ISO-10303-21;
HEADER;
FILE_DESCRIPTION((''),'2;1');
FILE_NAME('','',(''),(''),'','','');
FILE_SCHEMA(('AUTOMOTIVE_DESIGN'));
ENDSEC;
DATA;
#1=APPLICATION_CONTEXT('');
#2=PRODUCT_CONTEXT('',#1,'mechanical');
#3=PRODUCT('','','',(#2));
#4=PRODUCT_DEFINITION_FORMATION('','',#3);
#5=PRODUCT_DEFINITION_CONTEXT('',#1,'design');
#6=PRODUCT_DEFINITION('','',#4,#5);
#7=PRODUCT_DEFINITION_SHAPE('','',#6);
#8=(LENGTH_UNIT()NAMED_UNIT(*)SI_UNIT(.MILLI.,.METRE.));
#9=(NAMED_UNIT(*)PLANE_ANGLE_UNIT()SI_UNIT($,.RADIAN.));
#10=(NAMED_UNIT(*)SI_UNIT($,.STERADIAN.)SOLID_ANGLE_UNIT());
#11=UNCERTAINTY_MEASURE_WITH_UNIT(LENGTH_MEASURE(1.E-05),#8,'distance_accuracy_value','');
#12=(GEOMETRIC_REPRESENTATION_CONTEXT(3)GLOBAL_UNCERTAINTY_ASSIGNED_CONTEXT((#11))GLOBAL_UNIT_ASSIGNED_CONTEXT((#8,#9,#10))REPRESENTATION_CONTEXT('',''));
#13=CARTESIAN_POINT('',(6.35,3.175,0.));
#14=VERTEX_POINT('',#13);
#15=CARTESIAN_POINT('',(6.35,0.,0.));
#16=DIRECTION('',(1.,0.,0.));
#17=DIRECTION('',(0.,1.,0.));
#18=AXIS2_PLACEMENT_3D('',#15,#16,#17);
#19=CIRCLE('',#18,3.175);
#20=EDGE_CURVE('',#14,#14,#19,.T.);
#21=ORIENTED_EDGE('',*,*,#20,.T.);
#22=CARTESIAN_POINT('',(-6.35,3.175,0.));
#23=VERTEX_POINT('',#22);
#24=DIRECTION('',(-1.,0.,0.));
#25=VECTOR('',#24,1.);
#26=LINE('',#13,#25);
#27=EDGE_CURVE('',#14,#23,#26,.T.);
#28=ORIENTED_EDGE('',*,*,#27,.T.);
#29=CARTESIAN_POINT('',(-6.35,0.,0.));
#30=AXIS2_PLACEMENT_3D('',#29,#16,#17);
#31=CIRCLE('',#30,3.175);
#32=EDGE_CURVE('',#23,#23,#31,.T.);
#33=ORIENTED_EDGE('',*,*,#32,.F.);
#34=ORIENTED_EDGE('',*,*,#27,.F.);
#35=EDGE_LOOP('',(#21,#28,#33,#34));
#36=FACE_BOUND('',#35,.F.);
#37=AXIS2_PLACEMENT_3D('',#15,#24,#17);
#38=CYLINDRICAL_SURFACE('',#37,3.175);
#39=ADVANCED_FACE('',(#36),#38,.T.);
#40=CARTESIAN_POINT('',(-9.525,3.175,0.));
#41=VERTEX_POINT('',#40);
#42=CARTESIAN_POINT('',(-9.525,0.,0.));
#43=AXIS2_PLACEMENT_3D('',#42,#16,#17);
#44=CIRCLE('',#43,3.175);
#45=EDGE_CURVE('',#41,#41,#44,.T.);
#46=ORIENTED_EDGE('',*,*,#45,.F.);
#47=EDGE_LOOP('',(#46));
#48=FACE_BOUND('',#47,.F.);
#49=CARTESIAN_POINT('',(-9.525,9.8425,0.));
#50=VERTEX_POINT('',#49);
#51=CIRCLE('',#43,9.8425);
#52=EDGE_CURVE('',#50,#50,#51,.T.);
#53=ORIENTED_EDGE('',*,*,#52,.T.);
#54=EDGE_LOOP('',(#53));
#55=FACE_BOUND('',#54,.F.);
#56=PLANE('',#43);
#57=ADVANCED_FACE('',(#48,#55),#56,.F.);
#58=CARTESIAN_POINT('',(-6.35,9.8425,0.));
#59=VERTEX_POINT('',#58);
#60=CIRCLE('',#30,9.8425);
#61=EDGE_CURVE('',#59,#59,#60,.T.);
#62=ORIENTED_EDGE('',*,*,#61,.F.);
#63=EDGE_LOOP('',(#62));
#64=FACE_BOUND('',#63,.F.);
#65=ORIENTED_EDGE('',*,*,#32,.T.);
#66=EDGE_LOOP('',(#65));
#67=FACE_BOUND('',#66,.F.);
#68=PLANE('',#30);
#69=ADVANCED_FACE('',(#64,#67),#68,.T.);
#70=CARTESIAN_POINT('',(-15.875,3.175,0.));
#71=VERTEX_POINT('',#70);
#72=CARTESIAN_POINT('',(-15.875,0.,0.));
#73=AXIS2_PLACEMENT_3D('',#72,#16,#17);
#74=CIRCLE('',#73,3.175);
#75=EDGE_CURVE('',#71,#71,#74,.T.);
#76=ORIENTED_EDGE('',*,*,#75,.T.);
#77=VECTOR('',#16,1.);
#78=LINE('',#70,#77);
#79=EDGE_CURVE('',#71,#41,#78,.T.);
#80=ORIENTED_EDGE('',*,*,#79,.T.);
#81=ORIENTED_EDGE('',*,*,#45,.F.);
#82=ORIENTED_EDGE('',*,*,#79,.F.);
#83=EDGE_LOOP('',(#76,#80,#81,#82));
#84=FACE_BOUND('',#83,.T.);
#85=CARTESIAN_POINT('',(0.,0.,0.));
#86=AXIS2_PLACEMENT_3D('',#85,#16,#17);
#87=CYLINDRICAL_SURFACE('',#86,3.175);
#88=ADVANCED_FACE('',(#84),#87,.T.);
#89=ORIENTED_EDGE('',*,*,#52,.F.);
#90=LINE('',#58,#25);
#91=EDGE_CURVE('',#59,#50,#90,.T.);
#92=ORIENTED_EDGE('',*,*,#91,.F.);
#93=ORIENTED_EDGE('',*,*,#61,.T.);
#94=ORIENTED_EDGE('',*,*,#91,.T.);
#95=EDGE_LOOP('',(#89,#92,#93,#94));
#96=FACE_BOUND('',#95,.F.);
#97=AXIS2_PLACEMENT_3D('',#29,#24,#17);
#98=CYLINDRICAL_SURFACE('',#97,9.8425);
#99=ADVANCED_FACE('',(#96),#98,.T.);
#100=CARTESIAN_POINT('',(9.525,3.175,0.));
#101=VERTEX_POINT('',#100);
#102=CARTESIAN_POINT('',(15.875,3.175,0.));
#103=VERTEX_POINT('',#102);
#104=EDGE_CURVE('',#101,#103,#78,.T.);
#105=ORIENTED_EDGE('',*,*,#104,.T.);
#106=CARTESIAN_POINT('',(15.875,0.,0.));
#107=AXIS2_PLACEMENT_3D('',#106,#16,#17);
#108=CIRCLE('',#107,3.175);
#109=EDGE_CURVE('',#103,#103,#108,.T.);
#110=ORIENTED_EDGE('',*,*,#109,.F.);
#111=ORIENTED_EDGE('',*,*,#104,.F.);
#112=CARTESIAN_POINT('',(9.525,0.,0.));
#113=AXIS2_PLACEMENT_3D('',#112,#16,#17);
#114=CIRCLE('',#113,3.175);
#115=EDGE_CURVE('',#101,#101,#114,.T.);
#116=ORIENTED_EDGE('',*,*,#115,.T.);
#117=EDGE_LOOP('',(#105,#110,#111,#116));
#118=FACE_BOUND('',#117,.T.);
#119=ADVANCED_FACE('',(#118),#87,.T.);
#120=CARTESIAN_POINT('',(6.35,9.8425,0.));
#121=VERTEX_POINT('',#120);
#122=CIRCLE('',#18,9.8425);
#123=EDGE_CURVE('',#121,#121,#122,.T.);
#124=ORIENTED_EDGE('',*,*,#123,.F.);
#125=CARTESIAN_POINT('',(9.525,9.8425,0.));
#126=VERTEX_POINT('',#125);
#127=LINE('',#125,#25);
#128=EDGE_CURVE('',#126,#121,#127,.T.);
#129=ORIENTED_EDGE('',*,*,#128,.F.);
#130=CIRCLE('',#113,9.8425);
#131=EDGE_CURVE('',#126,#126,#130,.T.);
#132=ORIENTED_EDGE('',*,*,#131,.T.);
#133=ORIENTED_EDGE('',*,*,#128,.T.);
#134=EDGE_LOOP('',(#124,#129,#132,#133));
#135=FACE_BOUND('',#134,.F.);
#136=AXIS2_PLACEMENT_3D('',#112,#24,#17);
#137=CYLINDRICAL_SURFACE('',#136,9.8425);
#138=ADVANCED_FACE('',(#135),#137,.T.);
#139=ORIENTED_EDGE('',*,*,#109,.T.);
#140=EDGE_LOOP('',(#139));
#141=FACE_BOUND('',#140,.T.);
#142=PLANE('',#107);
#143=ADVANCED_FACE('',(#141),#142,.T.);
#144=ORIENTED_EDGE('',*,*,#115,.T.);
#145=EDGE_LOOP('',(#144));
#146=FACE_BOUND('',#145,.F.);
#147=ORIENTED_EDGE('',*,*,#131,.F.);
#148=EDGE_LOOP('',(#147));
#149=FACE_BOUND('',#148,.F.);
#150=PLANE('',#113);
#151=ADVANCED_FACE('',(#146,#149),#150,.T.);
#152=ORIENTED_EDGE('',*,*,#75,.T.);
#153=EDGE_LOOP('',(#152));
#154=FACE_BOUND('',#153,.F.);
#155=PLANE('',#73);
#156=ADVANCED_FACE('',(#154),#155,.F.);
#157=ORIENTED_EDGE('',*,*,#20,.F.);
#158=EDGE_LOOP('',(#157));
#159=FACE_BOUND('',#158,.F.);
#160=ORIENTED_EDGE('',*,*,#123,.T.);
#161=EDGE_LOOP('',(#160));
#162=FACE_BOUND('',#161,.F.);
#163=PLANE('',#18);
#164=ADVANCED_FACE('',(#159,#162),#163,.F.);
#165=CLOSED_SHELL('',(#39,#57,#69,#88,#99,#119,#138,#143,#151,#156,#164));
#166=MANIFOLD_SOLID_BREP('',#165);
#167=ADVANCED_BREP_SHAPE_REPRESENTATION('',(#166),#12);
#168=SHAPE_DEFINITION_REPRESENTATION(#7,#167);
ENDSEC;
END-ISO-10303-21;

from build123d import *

# Parameters (mm, degrees)
F1_R     = 3.175
F2_DEPTH = 15.875


with BuildPart() as f2:
    # F1 (on Right) → F2 (new body, symmetric)
    with BuildSketch(Plane.YZ):
        Circle(F1_R)
    extrude(amount=F2_DEPTH, both=True)

    # F0 (on Top) → F3 (revolve)
    with BuildSketch(Plane.XY):
        Polygon((-12.7, 0), (12.7, 0), (12.7, 1.5875), (9.525, 1.5875), (9.525, 9.8425), (6.35, 9.8425), (6.35, 3.175), (0, 3.175), (-6.35, 3.175), (-6.35, 9.8425), (-9.525, 9.8425), (-9.525, 1.5875), (-12.7, 1.5875), align=None)
    revolve(axis=Axis((0, 0, 0), (1, 0, 0)))


solid = f2.part
